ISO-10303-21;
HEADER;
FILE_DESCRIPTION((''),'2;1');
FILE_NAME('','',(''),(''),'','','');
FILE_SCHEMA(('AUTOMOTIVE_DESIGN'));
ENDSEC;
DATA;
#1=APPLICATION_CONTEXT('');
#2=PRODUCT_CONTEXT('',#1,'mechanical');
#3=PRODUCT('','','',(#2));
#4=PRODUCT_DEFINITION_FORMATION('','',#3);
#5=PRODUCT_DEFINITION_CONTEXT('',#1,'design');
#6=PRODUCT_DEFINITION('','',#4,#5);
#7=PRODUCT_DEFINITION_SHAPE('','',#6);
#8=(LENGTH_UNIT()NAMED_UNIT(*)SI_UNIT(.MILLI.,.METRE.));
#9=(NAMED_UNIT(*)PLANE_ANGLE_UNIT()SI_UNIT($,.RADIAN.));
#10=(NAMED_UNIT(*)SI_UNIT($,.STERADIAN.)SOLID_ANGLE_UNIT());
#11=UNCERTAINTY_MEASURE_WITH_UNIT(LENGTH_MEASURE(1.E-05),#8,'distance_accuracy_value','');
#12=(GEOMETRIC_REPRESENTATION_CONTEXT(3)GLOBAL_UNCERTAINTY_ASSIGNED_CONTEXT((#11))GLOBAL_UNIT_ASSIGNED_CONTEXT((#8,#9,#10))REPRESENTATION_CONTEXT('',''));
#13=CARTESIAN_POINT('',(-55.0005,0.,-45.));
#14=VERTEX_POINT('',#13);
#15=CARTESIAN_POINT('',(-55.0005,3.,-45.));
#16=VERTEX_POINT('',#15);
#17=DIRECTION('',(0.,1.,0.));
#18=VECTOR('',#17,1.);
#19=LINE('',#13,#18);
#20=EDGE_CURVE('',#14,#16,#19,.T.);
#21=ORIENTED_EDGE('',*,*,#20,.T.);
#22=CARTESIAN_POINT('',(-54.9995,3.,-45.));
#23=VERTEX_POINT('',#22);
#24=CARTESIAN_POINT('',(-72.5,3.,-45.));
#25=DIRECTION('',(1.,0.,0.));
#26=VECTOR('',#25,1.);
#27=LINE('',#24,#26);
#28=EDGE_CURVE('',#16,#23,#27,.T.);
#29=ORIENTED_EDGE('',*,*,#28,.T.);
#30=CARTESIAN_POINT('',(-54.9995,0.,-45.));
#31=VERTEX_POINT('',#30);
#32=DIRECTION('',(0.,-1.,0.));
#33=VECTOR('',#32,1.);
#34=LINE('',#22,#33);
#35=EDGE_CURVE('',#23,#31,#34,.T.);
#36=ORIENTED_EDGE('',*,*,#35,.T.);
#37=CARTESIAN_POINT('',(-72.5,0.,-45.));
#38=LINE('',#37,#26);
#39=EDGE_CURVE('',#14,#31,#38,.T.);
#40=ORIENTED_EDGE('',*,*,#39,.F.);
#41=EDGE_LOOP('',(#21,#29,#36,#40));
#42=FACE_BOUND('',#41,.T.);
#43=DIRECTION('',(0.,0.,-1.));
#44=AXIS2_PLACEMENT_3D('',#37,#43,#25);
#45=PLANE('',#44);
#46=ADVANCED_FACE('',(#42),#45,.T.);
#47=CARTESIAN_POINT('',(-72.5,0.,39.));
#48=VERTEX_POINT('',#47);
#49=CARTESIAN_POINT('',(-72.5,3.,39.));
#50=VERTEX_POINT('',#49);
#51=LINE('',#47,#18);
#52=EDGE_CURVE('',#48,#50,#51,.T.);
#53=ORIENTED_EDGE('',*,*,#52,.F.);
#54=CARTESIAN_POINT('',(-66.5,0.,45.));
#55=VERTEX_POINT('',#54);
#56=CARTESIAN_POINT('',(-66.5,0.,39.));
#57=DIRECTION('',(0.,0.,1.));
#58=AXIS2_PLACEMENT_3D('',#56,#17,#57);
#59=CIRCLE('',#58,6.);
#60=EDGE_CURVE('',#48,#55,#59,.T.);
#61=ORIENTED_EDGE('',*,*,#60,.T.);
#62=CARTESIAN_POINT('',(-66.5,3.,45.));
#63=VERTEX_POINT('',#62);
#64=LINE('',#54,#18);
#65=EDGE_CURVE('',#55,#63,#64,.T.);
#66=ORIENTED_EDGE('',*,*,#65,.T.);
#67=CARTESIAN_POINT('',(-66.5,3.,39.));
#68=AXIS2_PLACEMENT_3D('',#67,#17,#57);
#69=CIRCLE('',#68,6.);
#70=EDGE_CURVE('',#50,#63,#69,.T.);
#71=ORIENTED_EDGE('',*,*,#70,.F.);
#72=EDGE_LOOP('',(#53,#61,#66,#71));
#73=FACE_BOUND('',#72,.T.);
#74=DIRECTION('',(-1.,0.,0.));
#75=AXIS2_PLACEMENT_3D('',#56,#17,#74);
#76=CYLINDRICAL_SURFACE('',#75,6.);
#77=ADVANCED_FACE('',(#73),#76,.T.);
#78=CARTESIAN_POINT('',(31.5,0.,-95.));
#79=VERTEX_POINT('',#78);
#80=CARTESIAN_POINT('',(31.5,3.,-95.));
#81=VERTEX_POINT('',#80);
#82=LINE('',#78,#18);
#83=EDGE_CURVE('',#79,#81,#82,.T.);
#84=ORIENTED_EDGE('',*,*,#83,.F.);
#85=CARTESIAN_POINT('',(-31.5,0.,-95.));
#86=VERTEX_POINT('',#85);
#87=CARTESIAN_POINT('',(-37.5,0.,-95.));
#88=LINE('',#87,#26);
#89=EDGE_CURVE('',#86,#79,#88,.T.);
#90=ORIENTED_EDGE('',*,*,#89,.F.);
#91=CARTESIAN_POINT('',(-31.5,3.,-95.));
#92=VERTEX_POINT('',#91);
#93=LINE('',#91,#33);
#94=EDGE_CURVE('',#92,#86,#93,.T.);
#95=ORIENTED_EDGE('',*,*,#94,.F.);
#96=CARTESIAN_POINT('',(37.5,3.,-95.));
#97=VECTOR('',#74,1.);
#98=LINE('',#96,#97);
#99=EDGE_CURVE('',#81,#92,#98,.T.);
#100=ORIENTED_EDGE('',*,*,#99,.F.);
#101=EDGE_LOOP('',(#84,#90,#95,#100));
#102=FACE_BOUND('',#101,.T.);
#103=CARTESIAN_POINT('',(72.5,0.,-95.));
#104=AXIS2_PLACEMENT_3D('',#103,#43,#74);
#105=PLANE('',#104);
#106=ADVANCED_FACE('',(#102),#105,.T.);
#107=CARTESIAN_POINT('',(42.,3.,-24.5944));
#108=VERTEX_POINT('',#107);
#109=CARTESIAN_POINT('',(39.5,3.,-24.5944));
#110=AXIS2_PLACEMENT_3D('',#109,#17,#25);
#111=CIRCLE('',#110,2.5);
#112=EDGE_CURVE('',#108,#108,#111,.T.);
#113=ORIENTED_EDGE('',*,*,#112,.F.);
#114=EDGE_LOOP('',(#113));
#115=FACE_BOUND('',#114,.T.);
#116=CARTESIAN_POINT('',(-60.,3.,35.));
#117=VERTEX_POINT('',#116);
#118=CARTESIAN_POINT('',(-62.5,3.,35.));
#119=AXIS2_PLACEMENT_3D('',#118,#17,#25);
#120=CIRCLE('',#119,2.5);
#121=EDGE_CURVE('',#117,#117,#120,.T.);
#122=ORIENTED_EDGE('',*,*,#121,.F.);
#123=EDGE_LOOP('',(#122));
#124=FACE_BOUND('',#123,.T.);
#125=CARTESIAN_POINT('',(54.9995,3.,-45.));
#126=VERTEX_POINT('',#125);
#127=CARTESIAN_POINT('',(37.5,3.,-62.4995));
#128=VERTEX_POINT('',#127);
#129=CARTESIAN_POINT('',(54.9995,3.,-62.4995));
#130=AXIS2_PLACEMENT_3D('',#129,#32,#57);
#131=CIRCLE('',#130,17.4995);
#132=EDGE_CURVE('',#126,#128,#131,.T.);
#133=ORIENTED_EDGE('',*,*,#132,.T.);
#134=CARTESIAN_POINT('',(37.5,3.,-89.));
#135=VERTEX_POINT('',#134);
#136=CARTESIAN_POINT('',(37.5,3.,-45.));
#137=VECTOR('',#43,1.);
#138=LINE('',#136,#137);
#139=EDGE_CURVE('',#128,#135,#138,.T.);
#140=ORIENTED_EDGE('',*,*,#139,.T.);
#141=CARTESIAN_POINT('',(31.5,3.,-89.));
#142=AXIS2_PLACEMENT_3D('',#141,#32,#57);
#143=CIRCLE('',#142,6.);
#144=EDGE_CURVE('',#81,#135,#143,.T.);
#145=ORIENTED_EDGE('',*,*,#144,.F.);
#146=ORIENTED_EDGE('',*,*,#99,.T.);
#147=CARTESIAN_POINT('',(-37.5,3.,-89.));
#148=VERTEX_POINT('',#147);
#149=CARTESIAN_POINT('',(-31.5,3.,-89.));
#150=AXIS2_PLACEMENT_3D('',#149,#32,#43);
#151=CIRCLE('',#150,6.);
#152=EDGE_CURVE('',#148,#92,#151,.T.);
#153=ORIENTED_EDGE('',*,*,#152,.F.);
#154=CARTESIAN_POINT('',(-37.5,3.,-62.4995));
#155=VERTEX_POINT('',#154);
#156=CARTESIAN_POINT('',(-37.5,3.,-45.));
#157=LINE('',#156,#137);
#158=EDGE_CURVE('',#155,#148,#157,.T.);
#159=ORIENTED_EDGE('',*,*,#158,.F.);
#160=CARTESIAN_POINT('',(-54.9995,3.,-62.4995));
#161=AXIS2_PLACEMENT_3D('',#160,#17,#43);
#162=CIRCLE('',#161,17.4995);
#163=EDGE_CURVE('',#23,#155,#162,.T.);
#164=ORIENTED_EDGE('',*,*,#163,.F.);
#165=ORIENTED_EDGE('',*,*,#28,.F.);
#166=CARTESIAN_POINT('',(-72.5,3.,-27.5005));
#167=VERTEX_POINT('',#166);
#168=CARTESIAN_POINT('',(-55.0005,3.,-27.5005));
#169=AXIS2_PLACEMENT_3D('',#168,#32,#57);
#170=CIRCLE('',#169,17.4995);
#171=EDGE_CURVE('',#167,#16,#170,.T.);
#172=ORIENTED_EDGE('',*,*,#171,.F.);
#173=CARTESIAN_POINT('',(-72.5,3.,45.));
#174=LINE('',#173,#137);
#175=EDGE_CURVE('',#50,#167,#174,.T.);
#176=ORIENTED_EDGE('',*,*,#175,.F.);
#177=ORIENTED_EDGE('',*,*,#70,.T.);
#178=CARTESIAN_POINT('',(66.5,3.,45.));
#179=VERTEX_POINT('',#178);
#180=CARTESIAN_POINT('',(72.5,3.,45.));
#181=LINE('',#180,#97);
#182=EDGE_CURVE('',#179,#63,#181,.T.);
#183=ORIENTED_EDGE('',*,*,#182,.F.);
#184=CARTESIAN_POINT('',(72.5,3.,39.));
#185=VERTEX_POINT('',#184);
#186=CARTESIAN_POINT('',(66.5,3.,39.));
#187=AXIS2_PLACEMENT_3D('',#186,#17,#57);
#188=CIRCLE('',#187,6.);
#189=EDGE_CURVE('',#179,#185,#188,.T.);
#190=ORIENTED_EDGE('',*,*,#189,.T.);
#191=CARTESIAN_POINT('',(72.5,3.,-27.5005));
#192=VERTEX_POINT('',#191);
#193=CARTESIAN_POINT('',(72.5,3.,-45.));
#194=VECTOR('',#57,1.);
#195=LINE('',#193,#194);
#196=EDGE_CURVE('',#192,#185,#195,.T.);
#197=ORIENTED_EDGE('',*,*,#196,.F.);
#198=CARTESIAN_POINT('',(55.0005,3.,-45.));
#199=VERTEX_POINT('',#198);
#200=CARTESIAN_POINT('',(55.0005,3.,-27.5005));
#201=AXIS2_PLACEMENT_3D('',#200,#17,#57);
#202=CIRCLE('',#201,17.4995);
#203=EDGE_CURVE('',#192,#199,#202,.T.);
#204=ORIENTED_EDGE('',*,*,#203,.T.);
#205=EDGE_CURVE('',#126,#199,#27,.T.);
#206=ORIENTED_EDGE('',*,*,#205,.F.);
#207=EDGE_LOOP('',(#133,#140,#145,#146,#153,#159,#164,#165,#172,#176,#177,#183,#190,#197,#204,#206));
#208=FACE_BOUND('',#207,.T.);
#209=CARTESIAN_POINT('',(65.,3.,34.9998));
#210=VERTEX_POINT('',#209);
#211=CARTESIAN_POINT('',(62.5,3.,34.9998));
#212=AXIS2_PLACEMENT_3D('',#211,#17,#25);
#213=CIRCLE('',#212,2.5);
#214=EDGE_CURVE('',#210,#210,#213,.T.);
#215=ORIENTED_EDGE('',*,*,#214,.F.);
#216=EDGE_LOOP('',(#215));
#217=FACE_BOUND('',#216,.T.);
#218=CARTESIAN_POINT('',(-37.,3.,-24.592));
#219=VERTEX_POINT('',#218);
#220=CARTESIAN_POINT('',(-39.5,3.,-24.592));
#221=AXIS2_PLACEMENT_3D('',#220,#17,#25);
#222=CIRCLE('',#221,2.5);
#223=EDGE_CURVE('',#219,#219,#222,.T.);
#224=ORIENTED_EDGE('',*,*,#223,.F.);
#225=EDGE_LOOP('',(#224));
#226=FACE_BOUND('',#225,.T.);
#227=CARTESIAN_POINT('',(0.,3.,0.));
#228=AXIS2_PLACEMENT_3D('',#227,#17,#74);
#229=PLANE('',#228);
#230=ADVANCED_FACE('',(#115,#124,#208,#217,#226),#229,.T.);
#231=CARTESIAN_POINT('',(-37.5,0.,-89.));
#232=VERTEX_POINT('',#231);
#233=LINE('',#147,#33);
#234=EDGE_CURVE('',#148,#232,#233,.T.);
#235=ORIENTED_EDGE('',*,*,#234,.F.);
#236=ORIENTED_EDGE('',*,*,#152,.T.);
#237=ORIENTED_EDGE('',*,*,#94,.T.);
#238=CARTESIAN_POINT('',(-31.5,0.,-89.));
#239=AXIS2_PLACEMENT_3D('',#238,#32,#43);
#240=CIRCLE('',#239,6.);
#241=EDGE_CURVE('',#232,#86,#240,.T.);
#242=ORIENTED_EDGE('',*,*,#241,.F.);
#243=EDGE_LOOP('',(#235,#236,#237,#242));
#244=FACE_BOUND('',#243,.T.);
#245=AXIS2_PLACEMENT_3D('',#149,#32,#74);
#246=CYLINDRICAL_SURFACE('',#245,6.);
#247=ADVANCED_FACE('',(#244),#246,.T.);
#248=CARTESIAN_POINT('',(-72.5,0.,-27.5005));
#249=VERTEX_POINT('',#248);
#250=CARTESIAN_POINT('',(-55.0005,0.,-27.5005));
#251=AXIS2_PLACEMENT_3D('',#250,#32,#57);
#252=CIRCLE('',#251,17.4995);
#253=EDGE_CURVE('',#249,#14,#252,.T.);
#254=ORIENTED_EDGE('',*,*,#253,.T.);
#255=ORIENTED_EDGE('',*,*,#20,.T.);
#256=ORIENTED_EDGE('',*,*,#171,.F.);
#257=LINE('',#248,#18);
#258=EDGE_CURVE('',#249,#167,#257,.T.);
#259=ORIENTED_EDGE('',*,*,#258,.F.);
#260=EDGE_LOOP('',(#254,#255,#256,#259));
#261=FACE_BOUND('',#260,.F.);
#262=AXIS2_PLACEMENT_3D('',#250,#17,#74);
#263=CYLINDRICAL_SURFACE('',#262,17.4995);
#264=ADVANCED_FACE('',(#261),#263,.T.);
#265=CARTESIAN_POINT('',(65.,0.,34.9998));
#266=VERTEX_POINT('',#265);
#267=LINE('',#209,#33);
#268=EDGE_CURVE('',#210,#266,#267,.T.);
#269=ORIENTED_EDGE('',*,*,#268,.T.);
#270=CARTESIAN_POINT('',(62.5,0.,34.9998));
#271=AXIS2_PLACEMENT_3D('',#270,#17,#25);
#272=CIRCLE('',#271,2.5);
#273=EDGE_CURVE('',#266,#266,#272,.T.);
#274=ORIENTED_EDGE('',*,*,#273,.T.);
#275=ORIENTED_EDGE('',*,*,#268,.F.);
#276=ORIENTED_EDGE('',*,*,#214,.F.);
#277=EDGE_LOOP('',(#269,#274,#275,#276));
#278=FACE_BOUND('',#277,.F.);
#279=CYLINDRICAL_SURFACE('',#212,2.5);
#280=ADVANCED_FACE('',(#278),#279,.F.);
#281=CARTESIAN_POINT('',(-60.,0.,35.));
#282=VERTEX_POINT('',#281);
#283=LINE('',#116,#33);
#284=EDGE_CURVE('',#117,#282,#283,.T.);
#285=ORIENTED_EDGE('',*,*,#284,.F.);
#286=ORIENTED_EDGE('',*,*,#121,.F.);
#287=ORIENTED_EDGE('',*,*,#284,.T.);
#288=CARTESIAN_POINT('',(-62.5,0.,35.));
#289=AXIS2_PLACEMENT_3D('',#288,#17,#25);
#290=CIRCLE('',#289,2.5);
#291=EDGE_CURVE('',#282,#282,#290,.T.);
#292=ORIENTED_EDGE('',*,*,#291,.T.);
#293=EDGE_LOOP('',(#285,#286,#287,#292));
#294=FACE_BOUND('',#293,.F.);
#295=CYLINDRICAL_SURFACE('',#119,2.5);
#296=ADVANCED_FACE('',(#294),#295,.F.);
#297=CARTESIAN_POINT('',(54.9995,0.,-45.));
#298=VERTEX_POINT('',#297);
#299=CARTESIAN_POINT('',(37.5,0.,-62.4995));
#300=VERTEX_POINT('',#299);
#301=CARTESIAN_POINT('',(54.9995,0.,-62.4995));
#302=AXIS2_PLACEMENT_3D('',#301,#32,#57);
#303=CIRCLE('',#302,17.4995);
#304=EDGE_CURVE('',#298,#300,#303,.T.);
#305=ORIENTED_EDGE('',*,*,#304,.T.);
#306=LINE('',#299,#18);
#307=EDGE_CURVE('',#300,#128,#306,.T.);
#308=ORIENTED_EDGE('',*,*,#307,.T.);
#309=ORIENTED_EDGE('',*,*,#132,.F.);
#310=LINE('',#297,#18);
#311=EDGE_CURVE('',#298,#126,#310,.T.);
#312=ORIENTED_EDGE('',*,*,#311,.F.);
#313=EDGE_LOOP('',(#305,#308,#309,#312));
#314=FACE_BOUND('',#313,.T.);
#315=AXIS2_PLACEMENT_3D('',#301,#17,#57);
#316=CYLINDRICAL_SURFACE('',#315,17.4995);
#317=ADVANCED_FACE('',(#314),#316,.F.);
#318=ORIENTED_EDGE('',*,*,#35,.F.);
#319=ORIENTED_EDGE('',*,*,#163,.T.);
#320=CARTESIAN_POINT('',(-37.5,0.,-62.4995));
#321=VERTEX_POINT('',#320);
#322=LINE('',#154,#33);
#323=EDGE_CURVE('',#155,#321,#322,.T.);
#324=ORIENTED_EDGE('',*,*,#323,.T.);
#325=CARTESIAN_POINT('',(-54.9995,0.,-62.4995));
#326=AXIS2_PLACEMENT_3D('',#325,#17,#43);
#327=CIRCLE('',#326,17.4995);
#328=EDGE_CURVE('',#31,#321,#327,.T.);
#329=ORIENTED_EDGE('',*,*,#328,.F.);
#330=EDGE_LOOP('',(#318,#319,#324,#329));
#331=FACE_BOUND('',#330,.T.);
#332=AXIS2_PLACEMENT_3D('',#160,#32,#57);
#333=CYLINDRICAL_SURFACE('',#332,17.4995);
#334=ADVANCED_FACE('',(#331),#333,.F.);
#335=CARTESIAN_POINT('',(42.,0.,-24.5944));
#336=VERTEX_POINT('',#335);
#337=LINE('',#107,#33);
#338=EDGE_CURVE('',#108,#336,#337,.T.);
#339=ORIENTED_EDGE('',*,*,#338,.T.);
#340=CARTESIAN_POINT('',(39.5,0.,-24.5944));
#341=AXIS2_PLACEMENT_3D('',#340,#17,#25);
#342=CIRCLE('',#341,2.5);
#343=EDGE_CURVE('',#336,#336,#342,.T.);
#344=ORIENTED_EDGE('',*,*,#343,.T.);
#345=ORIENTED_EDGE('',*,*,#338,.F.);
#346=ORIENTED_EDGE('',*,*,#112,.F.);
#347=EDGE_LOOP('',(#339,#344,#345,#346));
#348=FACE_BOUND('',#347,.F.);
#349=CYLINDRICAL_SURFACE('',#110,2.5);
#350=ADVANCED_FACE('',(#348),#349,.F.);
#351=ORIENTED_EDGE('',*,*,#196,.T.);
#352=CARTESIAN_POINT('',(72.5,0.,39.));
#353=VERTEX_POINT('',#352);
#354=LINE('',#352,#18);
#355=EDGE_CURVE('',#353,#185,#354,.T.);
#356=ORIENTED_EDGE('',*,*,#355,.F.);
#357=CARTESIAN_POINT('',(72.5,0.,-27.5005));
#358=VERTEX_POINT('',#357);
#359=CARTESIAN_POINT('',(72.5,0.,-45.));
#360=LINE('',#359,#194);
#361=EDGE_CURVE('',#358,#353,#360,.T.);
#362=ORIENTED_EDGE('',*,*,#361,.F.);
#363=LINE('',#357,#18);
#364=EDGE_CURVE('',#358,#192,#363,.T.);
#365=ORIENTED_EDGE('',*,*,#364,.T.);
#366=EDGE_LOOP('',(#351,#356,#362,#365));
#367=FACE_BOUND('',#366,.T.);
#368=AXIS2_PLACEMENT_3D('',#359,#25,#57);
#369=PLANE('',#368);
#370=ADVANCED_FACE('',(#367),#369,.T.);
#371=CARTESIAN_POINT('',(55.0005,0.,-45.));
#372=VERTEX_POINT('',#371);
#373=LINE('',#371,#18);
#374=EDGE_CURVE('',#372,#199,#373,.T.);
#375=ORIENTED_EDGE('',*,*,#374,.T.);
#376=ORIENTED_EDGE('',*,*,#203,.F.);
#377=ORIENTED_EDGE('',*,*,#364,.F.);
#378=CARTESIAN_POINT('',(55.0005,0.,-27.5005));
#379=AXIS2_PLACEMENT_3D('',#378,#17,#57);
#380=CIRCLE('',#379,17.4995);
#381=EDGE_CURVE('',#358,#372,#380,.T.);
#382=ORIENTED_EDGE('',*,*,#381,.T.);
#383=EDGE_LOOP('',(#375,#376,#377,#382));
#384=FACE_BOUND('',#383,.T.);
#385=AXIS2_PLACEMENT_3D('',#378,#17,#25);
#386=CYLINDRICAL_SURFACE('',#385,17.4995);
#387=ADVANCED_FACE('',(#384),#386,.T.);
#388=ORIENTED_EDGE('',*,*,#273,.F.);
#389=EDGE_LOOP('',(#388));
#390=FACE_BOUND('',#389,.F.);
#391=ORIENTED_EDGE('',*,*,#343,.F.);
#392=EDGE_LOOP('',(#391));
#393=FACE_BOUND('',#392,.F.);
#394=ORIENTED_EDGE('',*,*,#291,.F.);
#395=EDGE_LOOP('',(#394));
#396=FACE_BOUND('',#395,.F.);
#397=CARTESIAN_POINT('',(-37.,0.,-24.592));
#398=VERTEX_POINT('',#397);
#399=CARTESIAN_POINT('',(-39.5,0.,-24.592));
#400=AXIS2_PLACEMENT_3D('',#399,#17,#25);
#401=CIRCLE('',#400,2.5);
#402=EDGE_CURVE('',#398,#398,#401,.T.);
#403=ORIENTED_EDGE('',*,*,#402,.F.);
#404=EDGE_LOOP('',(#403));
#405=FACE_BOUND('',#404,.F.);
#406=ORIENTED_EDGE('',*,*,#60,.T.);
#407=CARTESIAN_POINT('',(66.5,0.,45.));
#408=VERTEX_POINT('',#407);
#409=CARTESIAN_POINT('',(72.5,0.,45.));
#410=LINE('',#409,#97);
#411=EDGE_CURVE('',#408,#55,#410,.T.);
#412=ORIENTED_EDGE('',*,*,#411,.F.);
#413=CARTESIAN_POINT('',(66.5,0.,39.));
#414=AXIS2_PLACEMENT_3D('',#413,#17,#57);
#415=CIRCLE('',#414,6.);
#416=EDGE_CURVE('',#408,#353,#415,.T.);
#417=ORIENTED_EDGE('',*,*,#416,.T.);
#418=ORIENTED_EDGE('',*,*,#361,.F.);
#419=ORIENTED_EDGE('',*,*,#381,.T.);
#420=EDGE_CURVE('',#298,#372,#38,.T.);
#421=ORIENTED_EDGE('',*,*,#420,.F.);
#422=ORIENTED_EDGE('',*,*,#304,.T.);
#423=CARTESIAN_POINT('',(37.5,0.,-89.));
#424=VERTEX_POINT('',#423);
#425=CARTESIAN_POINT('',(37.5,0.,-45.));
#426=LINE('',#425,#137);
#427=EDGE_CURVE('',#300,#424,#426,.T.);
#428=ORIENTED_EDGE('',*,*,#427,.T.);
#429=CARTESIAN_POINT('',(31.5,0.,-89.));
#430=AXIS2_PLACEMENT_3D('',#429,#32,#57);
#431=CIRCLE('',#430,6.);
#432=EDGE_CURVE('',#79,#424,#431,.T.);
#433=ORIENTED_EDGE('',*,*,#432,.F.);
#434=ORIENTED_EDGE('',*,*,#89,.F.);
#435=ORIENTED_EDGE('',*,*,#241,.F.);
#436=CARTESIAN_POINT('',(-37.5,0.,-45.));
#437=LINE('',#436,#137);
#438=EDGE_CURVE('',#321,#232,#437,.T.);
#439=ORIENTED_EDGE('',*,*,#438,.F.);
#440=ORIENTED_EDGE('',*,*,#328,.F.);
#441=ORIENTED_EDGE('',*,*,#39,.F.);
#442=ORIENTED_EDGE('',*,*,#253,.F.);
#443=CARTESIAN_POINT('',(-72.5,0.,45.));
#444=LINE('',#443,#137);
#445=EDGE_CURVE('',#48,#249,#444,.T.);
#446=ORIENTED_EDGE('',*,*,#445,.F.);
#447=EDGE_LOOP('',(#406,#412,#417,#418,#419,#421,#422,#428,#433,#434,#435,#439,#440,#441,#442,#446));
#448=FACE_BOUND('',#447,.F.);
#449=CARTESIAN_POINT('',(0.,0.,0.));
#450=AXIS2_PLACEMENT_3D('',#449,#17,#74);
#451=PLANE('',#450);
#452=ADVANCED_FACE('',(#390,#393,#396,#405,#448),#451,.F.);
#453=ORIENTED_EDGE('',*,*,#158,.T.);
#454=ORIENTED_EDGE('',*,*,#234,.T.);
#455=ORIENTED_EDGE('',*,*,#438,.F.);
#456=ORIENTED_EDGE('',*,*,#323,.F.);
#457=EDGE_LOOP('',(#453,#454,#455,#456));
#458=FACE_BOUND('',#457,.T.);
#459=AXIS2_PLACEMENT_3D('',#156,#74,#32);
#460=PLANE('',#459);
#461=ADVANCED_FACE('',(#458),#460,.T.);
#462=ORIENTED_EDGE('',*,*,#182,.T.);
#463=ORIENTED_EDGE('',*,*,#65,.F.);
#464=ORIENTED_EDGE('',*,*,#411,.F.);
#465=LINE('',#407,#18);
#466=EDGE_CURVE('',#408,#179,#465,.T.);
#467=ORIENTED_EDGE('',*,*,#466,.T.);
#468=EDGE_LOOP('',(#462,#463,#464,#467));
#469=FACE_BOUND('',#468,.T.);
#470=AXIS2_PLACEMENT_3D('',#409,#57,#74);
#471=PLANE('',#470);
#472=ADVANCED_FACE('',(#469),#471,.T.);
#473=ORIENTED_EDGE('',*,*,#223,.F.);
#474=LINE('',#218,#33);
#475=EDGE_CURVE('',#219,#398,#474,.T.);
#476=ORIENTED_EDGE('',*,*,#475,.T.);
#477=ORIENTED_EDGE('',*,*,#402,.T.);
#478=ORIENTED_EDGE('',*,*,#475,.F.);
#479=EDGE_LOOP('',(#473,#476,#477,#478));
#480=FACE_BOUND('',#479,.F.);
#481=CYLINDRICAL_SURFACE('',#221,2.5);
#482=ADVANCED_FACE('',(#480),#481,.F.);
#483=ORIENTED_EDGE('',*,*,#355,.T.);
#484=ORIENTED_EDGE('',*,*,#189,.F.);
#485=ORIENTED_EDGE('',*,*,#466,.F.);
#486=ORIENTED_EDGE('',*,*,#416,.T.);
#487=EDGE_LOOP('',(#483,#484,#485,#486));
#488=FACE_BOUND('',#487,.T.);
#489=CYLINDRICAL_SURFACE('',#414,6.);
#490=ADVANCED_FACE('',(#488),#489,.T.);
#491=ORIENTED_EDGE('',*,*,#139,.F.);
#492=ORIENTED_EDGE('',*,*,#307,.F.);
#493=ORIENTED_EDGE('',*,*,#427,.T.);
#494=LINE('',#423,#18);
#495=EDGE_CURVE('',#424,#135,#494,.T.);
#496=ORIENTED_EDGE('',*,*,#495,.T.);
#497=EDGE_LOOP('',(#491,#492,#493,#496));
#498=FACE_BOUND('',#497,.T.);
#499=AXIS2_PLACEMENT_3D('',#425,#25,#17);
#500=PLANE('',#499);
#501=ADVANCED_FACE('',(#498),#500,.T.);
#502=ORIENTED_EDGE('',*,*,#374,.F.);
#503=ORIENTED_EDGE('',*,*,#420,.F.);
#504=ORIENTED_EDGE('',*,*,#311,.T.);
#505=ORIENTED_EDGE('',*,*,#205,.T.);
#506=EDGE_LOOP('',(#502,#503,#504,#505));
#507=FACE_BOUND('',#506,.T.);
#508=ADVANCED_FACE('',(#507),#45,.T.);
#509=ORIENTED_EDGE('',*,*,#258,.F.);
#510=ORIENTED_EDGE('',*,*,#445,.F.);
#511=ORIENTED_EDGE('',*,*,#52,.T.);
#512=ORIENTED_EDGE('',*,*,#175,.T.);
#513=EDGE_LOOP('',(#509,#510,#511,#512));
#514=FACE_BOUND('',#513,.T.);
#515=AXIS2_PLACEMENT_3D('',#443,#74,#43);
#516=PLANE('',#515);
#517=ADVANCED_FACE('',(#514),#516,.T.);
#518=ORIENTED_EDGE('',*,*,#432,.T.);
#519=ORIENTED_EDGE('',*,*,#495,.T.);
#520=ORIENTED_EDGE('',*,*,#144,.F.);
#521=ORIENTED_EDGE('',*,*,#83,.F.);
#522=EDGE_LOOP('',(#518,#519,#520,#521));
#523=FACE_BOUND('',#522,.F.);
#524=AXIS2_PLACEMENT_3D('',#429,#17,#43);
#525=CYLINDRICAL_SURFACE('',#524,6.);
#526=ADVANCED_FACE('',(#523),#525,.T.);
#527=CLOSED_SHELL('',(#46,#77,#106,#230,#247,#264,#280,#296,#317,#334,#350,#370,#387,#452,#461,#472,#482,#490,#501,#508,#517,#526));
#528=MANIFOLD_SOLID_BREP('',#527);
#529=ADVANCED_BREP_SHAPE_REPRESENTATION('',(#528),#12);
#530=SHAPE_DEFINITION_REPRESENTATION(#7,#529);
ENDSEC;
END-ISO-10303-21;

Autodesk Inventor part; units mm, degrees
ref_plane "YZ Plane" through (0, 0, 0) normal (1, 0, 0) x (0, 1, 0)
ref_plane "XZ Plane" through (0, 0, 0) normal (0, 1, 0) x (-1, 0, 0)
ref_plane "XY Plane" through (0, 0, 0) normal (0, 0, 1) x (1, 0, 0)
sketch "Sketch1" plane through (0, 0, 0) normal (0, 1, 0) x (-1, 0, 0)
  line L0 (72.5, -45) -> (-72.5, -45)
  line L1 (-72.5, -45) -> (-72.5, 45)
  line L2 (-72.5, 45) -> (72.5, 45)
  line L3 (72.5, 45) -> (72.5, -45)
  line L4 (72.5, -45) -> (-72.5, 45) construction
  line L5 (-72.5, -45) -> (72.5, 45) construction
  point P0 (0, 0)
  dimension "d0" = 145
  dimension "d1" = 90
extrude "Extrusion1" add sketch "Sketch1" along normal blind 3
sketch "Sketch4" plane through (72.5, 0, -45) normal (0, 0, -1) x (-1, 0, 0)
  line L0 (35, 3) -> (110, 3)
  line L1 (110, 3) -> (110, 0)
  line L2 (110, 0) -> (35, 0)
  line L3 (35, 0) -> (35, 3)
  line L4 (35, 3) -> (110, 0) construction
  line L5 (110, 3) -> (35, 0) construction
  line L6 (0, 3) -> (145, 3) projected
  point P0 (72.5, 0)
  point P1 (72.5, 1.5)
  dimension "d28" = 75
  dimension "d29" = 3
  dimension "d30" = 0
extrude "Extrusion3" add sketch "Sketch4" along normal blind 50
sketch "Sketch3" plane through (0, 3, 0) normal (0, 1, 0) x (1, 0, 0)
  circle A0 centre (62.5, -34.9998) radius 2.5
  circle A1 centre (-62.5, -35) radius 2.5
  circle A2 centre (-39.5, 24.592) radius 2.5
  circle A3 centre (39.5, 24.5944) radius 2.5
  line L0 (-72.5, 45) -> (-72.5, -45) projected
  line L1 (-72.5, -45) -> (72.5, -45) projected
  point P0 (0, 0)
  dimension "d4" = 5
  dimension "d7" = 5
  dimension "d10" = 5
  dimension "d13" = 5
  dimension "d20" = 79
  dimension "d21" = 125
  dimension "d22" = 23
  dimension "d23" = 59.592
  dimension "d24" = 10
  dimension "d25" = 10
extrude "Extrusion2" cut sketch "Sketch3" against normal through all
fillet "Fillet1" radius 6 4 edges at (72.5, 1.5, 45) (-72.5, 1.5, 45) (-37.5, 1.5, -95) (37.5, 1.5, -95)
fillet "Fillet2" radius 17.5 4 edges at (72.5, 1.5, -45) (-72.5, 1.5, -45) (37.5, 1.5, -45) (-37.5, 1.5, -45)
properties part number "chasis_arriba"
